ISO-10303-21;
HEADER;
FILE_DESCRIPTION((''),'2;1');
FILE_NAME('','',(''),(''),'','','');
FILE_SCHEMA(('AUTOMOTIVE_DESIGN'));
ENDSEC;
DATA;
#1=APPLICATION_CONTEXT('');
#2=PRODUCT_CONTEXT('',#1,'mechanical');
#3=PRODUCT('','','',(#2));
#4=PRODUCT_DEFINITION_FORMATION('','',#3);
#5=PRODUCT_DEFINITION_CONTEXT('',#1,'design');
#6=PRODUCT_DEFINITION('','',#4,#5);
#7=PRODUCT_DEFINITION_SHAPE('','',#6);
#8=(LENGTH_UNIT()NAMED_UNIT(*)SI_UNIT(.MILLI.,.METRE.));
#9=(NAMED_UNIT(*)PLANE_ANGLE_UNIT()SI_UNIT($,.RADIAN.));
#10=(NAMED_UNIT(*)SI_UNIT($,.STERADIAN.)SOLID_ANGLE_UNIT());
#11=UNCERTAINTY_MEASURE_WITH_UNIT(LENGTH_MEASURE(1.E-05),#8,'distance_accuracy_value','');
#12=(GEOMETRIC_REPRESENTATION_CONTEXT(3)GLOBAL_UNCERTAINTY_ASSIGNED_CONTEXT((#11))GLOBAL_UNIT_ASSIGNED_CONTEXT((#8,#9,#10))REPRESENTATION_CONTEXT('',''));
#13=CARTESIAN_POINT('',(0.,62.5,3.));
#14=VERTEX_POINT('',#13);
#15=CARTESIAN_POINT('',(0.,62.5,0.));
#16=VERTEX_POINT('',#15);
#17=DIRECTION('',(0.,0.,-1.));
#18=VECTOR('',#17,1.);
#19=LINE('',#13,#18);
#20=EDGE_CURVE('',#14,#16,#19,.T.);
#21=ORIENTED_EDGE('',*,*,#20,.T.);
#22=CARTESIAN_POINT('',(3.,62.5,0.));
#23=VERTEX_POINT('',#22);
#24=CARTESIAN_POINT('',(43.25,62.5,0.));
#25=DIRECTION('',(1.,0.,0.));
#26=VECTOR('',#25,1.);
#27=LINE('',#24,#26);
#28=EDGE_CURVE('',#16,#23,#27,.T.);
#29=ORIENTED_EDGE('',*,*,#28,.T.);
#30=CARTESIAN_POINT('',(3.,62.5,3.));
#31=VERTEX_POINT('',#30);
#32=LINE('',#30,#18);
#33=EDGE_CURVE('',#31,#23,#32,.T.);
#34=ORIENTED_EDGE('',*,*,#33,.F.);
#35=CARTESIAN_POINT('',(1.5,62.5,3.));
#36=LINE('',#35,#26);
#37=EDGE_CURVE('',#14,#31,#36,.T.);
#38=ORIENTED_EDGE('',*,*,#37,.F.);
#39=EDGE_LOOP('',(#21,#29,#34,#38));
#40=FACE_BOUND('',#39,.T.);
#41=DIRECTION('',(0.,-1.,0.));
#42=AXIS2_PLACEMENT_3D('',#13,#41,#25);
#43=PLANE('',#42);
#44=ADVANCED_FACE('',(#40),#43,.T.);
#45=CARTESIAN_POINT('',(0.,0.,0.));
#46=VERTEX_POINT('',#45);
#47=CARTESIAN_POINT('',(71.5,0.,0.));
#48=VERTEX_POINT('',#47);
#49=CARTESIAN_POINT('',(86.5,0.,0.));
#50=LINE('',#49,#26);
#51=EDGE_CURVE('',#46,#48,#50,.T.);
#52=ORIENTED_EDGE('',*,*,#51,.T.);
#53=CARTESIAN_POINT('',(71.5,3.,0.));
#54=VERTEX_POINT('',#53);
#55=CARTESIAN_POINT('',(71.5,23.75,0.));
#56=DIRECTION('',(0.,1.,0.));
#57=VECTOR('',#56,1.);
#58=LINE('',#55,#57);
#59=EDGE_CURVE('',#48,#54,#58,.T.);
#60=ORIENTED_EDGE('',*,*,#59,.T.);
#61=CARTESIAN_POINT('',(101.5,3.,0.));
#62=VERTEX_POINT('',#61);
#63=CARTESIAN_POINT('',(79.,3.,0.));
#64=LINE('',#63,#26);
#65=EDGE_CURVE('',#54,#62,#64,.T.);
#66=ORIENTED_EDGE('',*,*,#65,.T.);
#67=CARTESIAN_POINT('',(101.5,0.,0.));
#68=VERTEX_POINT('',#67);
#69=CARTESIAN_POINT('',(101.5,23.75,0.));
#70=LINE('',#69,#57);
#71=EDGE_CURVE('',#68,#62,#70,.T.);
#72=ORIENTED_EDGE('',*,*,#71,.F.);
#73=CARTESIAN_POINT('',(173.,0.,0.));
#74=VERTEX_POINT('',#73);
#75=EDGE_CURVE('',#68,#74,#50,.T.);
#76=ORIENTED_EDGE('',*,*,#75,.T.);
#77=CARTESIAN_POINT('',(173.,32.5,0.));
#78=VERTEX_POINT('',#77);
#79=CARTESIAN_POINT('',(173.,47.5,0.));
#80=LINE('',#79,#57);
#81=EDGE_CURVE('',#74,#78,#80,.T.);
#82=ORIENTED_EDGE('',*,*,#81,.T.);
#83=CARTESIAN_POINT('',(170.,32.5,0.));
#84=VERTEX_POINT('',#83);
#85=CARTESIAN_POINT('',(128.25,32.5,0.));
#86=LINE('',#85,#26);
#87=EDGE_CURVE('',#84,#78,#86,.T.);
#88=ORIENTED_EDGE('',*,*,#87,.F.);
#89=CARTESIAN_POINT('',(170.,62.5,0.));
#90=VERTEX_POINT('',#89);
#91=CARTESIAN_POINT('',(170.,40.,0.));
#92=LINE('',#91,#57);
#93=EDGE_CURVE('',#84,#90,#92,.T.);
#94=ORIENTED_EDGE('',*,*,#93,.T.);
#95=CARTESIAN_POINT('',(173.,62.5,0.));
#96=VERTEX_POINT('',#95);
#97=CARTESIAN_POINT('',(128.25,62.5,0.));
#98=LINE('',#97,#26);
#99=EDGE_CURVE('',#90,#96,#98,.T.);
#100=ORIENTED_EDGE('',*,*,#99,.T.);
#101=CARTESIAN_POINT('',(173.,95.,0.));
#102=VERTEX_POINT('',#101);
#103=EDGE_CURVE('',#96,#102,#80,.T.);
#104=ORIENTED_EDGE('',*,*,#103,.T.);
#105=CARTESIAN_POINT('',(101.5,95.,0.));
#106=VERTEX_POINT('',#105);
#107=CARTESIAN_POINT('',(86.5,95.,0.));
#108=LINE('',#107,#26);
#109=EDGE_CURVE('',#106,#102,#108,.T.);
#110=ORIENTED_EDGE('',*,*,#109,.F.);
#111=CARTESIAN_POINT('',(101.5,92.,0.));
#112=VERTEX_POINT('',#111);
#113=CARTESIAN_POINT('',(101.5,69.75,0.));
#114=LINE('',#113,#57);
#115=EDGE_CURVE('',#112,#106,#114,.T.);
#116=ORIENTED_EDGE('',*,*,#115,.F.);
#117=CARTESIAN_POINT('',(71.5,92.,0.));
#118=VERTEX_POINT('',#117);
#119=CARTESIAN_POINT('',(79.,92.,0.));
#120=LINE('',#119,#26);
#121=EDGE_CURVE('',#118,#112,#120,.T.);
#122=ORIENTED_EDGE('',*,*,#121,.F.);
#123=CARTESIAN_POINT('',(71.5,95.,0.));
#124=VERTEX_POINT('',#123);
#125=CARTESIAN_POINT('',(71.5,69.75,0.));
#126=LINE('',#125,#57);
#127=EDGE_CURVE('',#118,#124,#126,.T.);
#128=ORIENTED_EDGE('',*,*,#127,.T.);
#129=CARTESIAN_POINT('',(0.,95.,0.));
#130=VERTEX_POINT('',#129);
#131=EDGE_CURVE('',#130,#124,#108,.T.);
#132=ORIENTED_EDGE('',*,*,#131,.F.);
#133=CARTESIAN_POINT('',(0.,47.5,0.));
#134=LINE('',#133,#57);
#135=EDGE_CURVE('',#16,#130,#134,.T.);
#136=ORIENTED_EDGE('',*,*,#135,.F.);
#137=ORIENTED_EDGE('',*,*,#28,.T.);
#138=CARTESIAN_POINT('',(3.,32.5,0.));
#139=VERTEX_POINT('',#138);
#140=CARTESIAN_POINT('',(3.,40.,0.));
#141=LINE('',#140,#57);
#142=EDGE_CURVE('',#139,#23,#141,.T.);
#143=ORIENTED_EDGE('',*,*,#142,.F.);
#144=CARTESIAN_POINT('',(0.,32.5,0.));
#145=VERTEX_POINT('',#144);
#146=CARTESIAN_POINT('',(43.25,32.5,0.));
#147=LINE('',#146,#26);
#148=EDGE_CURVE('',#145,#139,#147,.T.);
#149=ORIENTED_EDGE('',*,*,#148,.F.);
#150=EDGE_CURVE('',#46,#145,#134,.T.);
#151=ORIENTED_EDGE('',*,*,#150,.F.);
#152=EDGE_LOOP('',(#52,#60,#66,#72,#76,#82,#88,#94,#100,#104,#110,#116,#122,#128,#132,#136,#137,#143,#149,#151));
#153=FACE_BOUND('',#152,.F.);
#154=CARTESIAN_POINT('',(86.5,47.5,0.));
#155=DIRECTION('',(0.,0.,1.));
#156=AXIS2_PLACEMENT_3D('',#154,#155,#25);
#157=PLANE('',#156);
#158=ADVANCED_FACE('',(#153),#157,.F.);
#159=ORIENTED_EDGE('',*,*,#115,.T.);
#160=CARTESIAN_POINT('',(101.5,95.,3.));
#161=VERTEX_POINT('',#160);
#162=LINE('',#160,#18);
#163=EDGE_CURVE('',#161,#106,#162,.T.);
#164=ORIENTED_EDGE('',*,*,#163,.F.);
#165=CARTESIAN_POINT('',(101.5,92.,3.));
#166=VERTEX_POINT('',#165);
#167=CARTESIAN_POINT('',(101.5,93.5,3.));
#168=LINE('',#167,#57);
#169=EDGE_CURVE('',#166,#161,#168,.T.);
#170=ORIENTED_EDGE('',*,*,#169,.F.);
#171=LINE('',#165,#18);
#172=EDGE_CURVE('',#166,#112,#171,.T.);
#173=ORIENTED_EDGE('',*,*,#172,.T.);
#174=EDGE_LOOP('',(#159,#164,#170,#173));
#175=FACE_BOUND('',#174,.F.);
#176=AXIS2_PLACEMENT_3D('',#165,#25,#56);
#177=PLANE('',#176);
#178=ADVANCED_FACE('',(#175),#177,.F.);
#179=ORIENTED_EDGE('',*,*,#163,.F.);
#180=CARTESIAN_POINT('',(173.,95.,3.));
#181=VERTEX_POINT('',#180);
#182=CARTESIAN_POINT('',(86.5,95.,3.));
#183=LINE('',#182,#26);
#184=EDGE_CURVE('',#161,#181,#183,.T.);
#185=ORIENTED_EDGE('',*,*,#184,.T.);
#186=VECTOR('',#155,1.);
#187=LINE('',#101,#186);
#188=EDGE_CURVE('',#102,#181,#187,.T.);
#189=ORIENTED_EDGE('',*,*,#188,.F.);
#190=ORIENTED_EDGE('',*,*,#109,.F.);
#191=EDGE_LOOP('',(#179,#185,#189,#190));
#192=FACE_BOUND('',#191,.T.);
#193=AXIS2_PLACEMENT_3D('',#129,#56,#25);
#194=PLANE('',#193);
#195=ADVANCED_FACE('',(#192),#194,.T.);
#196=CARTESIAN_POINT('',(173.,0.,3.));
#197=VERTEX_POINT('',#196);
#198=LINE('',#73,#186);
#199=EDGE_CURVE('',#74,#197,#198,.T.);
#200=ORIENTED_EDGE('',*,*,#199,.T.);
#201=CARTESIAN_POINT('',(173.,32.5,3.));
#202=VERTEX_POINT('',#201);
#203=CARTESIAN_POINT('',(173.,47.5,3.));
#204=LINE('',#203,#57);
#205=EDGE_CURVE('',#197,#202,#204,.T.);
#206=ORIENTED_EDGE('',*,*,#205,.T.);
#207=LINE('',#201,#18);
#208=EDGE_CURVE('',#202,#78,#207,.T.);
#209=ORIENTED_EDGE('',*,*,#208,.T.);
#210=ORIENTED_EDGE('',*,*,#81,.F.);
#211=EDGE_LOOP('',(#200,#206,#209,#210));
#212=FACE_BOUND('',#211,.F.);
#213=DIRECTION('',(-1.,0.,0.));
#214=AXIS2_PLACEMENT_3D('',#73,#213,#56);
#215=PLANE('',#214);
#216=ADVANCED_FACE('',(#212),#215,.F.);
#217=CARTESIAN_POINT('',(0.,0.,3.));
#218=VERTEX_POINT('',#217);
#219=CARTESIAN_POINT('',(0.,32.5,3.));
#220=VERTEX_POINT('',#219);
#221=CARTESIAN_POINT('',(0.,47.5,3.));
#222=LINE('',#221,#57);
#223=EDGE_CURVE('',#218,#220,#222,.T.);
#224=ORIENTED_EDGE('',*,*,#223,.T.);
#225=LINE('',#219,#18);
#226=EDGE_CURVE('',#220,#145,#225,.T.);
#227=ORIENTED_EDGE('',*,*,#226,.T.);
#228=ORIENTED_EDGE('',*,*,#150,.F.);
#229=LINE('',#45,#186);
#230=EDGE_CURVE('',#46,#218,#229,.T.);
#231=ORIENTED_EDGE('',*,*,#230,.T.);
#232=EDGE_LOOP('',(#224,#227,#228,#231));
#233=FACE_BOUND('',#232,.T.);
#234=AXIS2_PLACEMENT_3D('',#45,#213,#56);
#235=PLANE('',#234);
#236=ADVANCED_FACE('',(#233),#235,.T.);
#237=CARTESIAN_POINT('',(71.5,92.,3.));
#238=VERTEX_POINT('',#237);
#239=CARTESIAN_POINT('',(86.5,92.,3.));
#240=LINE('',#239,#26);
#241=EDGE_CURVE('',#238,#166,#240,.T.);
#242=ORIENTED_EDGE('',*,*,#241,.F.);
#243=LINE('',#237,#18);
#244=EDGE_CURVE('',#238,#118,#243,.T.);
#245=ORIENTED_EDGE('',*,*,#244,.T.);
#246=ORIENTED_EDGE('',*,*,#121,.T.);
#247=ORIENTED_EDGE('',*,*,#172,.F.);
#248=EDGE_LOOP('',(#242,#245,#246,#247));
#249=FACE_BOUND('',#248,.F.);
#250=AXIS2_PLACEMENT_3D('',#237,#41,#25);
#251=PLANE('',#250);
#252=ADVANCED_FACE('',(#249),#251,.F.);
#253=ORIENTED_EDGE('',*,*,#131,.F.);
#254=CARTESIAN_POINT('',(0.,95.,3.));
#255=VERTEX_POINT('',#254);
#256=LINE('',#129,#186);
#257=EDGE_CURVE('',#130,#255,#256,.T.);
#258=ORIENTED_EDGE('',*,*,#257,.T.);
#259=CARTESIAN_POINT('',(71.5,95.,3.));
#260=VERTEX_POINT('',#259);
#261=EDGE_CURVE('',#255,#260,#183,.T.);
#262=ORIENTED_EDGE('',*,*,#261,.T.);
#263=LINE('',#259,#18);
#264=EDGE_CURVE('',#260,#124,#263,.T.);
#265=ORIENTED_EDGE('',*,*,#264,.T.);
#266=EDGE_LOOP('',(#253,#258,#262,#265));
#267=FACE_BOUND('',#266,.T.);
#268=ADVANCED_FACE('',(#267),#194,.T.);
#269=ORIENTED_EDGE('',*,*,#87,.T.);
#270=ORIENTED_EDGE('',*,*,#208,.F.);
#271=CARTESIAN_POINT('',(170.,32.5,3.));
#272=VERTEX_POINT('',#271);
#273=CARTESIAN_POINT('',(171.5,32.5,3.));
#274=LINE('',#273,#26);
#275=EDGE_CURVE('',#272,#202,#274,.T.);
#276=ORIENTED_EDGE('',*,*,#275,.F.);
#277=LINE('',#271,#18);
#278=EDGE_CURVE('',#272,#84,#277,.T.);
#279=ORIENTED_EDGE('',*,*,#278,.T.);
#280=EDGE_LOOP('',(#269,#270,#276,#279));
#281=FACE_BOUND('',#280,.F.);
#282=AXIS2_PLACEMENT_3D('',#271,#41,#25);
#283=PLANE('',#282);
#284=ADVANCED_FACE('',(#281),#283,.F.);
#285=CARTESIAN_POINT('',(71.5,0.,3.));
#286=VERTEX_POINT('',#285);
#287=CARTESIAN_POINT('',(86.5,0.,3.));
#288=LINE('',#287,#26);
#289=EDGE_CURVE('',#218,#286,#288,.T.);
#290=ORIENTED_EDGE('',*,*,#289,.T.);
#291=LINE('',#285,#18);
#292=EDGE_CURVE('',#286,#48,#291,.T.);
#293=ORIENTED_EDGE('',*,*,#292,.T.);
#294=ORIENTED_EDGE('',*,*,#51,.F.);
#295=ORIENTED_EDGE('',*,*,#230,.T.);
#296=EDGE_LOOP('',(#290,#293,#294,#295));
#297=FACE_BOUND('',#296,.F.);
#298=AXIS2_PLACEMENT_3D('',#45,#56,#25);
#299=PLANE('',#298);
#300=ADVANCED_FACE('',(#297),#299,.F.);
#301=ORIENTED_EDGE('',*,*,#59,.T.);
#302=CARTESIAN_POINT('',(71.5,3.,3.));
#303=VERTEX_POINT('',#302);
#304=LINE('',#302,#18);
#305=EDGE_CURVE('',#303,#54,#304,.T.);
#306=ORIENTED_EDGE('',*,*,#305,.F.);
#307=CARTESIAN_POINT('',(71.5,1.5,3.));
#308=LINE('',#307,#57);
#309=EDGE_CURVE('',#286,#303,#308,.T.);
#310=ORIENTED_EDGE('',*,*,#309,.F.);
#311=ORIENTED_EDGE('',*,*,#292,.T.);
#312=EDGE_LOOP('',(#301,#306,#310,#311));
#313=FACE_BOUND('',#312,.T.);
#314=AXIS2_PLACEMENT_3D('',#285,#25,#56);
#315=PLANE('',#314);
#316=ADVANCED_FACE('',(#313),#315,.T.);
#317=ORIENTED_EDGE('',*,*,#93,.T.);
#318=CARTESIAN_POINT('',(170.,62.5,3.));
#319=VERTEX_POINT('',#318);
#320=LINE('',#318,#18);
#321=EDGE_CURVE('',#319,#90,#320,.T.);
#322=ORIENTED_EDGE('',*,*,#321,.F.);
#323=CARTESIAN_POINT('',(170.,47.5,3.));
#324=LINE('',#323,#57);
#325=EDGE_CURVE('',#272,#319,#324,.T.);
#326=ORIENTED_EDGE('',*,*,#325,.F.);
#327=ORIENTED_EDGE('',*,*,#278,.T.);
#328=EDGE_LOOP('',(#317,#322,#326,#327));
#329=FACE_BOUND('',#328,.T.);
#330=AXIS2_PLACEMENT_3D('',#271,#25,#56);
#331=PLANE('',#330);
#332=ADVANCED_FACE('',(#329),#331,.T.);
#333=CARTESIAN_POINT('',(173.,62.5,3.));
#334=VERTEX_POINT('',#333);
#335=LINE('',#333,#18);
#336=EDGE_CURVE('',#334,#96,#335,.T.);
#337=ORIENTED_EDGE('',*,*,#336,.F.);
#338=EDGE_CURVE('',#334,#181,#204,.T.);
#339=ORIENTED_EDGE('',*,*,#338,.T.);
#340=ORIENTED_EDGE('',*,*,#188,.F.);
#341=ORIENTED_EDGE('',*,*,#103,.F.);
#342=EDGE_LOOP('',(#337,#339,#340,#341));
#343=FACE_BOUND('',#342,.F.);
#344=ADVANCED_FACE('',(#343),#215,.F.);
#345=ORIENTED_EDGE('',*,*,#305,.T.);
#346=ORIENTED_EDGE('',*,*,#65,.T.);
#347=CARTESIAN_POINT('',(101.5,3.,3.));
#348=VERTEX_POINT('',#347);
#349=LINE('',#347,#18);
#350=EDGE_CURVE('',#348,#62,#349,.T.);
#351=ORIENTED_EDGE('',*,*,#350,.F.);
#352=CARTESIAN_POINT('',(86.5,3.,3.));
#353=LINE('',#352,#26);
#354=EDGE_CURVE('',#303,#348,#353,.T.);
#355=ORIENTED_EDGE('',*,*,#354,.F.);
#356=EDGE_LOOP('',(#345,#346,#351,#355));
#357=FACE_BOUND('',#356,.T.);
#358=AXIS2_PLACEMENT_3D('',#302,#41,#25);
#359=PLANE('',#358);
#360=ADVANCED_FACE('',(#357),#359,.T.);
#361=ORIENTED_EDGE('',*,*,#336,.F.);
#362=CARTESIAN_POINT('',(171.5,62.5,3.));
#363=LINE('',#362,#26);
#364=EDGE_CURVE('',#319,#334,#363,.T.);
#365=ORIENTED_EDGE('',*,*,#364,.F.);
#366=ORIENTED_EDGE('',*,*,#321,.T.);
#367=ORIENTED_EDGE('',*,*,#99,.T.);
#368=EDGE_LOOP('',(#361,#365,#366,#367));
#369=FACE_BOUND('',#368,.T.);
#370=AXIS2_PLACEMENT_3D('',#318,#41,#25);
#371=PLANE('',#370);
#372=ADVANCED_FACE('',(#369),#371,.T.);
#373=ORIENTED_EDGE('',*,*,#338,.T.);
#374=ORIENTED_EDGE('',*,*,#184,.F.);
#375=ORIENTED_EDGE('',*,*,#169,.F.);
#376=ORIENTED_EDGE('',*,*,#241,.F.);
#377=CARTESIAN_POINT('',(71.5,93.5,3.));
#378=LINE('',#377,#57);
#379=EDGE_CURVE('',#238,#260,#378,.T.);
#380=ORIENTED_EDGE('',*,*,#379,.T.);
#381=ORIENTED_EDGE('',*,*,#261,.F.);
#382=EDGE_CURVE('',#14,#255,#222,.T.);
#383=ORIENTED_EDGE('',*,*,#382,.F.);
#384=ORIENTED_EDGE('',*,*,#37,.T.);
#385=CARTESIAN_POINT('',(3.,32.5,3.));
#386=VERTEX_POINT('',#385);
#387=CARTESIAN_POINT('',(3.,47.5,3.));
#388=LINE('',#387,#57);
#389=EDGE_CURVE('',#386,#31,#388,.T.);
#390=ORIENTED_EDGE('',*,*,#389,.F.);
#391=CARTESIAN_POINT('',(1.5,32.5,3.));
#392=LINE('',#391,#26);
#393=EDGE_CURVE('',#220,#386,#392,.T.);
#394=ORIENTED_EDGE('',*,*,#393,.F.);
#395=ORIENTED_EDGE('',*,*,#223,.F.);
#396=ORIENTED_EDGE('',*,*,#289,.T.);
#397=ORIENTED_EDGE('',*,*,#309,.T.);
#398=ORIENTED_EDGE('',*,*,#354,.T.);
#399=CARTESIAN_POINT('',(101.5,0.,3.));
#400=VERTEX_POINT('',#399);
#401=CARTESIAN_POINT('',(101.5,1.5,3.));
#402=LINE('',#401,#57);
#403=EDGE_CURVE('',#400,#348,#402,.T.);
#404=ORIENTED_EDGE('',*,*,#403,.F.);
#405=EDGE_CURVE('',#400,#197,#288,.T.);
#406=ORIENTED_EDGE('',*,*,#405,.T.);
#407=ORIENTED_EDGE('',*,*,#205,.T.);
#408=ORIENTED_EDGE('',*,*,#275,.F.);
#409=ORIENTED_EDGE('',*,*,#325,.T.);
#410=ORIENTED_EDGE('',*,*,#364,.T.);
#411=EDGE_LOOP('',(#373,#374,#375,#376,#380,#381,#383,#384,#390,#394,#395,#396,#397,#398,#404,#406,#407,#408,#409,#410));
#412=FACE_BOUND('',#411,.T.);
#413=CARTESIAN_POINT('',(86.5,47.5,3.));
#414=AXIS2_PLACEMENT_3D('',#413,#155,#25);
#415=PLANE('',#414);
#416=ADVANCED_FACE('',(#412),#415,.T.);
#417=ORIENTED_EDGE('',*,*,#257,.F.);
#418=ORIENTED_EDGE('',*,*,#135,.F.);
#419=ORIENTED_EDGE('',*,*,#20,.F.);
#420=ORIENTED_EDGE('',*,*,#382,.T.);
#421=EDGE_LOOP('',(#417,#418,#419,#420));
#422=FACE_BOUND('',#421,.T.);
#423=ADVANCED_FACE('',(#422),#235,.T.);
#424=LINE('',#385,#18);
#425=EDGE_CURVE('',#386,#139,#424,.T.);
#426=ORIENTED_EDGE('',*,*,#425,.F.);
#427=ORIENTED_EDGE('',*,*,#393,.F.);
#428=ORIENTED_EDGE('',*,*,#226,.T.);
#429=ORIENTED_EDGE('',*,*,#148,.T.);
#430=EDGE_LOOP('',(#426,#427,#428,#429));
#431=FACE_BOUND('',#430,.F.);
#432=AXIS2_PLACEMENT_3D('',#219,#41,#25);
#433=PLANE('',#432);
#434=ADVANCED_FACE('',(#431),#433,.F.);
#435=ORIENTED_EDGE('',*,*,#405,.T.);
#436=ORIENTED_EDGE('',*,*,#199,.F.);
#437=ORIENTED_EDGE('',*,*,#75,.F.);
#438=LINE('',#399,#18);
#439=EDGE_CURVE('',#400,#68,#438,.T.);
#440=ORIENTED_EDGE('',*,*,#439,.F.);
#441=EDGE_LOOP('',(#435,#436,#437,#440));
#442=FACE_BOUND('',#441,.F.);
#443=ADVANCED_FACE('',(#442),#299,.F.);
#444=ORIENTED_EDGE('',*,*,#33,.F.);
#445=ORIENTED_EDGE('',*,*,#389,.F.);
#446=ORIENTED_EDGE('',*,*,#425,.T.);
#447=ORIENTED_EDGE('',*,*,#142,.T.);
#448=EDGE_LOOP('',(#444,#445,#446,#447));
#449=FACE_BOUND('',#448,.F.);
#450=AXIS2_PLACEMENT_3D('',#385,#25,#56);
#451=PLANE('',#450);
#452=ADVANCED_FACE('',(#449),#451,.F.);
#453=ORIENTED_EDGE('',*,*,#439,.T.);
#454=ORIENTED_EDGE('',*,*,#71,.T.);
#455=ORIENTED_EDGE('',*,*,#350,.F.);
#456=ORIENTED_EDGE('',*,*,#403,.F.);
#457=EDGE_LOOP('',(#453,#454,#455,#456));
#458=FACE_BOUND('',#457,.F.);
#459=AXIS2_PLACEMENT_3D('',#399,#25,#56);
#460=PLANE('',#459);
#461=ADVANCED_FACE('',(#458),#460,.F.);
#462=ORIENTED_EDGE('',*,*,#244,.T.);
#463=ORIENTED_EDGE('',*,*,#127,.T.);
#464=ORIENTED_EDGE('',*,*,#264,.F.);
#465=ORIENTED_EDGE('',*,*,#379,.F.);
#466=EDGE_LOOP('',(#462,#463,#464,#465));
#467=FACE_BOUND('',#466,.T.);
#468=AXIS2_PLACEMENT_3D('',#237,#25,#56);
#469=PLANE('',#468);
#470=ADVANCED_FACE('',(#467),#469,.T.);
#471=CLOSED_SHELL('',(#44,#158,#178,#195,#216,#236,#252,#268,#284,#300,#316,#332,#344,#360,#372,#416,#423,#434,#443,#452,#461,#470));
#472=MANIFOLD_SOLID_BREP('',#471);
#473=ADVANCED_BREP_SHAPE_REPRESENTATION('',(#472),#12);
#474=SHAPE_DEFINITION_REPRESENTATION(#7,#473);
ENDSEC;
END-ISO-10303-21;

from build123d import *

# Parameters (mm, degrees)
F0_W     = 173
F0_H     = 95
F1_DEPTH = 3
F2_W     = 30
F2_H     = 3
F2_W_2   = 3
F2_H_2   = 30
F3_DEPTH = 25


with BuildPart() as f1:
    # F0 (on Top) → F1 (new body)
    with BuildSketch(Plane.XY):
        with Locations((86.5, 47.5)):
            Rectangle(F0_W, F0_H)
    extrude(amount=F1_DEPTH)

    # F2 (on face) → F3 (cut)
    with BuildSketch(Plane.XY.offset(3)):
        with Locations((86.5, 1.5)):
            Rectangle(F2_W, F2_H)
        with Locations((86.5, 93.5)):
            Rectangle(F2_W, F2_H)
        with Locations((1.5, 47.5)):
            Rectangle(F2_W_2, F2_H_2)
        with Locations((171.5, 47.5)):
            Rectangle(F2_W_2, F2_H_2)
    extrude(amount=-F3_DEPTH, mode=Mode.SUBTRACT)


solid = f1.part
